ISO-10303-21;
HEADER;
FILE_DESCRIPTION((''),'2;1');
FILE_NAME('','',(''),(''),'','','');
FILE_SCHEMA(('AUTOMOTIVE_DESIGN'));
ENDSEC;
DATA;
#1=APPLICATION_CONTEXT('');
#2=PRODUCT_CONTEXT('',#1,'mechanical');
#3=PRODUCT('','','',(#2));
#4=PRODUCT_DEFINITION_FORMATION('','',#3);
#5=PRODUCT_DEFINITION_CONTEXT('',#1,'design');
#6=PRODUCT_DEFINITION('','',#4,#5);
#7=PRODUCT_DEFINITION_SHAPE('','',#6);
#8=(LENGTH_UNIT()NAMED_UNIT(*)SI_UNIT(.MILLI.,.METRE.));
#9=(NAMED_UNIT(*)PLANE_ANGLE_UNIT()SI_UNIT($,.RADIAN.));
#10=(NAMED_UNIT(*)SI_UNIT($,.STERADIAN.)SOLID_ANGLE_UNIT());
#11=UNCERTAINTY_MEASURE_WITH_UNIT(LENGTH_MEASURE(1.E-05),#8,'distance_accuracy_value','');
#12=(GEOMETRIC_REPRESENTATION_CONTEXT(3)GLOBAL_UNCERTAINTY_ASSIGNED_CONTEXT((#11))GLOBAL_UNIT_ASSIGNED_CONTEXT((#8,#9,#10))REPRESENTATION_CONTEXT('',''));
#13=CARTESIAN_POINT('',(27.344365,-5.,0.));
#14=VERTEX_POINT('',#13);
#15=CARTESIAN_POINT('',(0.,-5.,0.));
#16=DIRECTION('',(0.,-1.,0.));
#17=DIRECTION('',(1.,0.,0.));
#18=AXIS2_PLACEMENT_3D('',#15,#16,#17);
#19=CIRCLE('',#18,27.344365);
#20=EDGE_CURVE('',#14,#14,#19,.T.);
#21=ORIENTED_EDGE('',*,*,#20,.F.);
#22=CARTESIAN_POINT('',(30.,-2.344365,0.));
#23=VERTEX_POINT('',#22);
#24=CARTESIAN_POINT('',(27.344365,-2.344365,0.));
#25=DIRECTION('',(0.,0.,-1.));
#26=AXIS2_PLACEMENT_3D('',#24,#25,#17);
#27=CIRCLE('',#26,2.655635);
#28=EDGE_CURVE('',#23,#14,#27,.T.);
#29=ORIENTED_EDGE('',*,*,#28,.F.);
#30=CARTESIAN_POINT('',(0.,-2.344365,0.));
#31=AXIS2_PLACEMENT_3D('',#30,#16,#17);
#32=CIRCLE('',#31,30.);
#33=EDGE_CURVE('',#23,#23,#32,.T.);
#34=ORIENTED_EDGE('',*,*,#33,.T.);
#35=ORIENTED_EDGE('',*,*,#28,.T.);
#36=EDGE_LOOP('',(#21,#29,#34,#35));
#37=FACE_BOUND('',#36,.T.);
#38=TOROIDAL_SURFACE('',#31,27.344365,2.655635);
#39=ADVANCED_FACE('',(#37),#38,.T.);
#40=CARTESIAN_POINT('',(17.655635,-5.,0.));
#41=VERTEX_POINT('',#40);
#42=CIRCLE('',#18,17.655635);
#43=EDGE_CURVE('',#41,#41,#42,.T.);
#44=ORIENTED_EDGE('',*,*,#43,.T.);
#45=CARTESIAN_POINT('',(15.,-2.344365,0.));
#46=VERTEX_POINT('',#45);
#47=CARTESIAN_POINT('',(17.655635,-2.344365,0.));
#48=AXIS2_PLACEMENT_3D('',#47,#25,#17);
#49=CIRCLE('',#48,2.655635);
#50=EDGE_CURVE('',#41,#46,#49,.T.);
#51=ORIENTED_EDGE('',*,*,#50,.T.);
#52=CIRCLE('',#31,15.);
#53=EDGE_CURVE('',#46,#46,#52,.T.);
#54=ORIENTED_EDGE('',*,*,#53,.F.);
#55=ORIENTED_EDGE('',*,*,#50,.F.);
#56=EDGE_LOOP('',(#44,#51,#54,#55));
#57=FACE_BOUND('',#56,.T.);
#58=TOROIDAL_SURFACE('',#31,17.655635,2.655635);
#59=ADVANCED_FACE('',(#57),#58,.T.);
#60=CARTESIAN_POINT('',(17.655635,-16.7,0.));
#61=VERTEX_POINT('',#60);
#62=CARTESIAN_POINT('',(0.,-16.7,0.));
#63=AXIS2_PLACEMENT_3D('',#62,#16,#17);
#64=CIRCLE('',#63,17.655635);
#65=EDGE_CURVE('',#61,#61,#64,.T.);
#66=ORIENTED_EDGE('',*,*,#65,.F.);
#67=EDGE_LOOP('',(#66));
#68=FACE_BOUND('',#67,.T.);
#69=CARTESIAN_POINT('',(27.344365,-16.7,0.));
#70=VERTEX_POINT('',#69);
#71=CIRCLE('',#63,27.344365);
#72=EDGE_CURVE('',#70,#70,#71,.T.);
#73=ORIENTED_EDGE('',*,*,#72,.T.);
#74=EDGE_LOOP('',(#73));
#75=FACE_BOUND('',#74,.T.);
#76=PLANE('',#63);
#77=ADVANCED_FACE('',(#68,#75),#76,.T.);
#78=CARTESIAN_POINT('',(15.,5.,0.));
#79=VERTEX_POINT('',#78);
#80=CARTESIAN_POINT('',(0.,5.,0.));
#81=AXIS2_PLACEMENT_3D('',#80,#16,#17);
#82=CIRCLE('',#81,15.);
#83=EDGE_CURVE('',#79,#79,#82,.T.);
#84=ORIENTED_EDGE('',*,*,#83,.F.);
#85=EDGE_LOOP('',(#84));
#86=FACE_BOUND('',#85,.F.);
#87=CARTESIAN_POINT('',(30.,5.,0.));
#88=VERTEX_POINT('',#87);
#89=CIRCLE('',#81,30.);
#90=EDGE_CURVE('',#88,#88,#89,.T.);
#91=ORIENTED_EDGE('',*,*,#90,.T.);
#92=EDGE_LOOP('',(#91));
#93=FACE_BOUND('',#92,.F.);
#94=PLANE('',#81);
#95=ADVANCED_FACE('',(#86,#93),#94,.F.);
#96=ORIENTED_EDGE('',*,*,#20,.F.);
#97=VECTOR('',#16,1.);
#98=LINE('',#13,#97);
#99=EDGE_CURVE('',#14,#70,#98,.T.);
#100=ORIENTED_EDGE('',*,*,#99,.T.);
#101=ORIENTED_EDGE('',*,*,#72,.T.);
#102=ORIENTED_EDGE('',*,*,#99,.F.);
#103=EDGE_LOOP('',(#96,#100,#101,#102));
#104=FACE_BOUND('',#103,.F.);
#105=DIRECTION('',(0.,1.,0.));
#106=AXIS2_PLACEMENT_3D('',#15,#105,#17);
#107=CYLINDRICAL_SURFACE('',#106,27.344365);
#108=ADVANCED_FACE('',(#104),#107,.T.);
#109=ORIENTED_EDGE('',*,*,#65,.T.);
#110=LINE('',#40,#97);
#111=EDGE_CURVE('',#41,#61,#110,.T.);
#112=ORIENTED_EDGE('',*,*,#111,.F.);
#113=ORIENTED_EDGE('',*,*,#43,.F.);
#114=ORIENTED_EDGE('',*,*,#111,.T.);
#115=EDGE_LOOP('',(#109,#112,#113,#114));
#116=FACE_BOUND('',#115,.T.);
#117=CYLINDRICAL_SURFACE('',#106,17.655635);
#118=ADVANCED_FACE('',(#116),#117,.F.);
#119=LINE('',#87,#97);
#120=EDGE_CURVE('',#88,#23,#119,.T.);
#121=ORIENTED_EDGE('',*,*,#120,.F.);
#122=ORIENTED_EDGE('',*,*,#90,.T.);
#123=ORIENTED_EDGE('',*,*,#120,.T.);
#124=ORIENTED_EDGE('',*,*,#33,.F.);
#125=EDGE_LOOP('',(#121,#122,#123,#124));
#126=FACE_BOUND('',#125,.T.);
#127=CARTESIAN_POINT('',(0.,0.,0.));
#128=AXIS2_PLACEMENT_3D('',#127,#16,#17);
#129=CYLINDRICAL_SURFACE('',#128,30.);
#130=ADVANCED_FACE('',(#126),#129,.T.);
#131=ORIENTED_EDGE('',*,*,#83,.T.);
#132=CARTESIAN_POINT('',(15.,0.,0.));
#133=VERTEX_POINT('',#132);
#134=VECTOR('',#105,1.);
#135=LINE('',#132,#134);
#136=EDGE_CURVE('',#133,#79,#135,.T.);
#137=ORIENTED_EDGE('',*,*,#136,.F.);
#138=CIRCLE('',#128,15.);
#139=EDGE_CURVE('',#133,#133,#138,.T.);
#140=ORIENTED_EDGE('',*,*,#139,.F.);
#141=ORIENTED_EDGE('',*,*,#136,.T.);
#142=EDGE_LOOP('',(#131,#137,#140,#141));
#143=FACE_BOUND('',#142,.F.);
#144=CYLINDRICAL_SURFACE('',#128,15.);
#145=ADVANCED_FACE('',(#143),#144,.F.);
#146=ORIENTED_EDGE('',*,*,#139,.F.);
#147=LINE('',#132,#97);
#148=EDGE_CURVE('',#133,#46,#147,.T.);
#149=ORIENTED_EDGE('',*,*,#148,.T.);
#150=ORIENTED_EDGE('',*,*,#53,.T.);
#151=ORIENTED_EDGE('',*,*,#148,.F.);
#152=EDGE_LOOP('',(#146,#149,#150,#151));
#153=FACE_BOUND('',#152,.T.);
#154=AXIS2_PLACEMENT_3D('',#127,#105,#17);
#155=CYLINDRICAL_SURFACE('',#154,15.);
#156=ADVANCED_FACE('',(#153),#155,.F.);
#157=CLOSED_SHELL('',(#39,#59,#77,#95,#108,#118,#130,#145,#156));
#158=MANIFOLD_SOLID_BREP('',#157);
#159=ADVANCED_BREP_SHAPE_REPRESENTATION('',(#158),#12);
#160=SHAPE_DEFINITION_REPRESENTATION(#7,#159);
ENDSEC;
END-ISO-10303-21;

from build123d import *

# Parameters (mm, degrees)
F0_R          = 30
F0_R_2        = 15
F1_DEPTH      = 5
F1_DEPTH_BACK = 5
F2_R          = 2.6556349186
F3_DEPTH      = 11.7


with BuildPart() as f1:
    # F0 (on Front) → F1 (new body, two sides)
    with BuildSketch(Plane.XZ) as f1_sk:
        Circle(F0_R)
        Circle(F0_R_2, mode=Mode.SUBTRACT)
    extrude(amount=F1_DEPTH)
    extrude(f1_sk.sketch, amount=-F1_DEPTH_BACK)

    # F2
    f2_edges = [f1.edges().sort_by_distance(p)[0] for p in [
        (-30, -5, 0),
        (-15, -5, 0),
    ]]
    fillet(f2_edges, radius=F2_R)

    # F3 (add): a face of the model
    f3_faces = [f1.faces().sort_by_distance(p)[0] for p in [
        (-26.5709496423, -5, 0),
    ]]
    extrude(f3_faces, amount=F3_DEPTH)


solid = f1.part
